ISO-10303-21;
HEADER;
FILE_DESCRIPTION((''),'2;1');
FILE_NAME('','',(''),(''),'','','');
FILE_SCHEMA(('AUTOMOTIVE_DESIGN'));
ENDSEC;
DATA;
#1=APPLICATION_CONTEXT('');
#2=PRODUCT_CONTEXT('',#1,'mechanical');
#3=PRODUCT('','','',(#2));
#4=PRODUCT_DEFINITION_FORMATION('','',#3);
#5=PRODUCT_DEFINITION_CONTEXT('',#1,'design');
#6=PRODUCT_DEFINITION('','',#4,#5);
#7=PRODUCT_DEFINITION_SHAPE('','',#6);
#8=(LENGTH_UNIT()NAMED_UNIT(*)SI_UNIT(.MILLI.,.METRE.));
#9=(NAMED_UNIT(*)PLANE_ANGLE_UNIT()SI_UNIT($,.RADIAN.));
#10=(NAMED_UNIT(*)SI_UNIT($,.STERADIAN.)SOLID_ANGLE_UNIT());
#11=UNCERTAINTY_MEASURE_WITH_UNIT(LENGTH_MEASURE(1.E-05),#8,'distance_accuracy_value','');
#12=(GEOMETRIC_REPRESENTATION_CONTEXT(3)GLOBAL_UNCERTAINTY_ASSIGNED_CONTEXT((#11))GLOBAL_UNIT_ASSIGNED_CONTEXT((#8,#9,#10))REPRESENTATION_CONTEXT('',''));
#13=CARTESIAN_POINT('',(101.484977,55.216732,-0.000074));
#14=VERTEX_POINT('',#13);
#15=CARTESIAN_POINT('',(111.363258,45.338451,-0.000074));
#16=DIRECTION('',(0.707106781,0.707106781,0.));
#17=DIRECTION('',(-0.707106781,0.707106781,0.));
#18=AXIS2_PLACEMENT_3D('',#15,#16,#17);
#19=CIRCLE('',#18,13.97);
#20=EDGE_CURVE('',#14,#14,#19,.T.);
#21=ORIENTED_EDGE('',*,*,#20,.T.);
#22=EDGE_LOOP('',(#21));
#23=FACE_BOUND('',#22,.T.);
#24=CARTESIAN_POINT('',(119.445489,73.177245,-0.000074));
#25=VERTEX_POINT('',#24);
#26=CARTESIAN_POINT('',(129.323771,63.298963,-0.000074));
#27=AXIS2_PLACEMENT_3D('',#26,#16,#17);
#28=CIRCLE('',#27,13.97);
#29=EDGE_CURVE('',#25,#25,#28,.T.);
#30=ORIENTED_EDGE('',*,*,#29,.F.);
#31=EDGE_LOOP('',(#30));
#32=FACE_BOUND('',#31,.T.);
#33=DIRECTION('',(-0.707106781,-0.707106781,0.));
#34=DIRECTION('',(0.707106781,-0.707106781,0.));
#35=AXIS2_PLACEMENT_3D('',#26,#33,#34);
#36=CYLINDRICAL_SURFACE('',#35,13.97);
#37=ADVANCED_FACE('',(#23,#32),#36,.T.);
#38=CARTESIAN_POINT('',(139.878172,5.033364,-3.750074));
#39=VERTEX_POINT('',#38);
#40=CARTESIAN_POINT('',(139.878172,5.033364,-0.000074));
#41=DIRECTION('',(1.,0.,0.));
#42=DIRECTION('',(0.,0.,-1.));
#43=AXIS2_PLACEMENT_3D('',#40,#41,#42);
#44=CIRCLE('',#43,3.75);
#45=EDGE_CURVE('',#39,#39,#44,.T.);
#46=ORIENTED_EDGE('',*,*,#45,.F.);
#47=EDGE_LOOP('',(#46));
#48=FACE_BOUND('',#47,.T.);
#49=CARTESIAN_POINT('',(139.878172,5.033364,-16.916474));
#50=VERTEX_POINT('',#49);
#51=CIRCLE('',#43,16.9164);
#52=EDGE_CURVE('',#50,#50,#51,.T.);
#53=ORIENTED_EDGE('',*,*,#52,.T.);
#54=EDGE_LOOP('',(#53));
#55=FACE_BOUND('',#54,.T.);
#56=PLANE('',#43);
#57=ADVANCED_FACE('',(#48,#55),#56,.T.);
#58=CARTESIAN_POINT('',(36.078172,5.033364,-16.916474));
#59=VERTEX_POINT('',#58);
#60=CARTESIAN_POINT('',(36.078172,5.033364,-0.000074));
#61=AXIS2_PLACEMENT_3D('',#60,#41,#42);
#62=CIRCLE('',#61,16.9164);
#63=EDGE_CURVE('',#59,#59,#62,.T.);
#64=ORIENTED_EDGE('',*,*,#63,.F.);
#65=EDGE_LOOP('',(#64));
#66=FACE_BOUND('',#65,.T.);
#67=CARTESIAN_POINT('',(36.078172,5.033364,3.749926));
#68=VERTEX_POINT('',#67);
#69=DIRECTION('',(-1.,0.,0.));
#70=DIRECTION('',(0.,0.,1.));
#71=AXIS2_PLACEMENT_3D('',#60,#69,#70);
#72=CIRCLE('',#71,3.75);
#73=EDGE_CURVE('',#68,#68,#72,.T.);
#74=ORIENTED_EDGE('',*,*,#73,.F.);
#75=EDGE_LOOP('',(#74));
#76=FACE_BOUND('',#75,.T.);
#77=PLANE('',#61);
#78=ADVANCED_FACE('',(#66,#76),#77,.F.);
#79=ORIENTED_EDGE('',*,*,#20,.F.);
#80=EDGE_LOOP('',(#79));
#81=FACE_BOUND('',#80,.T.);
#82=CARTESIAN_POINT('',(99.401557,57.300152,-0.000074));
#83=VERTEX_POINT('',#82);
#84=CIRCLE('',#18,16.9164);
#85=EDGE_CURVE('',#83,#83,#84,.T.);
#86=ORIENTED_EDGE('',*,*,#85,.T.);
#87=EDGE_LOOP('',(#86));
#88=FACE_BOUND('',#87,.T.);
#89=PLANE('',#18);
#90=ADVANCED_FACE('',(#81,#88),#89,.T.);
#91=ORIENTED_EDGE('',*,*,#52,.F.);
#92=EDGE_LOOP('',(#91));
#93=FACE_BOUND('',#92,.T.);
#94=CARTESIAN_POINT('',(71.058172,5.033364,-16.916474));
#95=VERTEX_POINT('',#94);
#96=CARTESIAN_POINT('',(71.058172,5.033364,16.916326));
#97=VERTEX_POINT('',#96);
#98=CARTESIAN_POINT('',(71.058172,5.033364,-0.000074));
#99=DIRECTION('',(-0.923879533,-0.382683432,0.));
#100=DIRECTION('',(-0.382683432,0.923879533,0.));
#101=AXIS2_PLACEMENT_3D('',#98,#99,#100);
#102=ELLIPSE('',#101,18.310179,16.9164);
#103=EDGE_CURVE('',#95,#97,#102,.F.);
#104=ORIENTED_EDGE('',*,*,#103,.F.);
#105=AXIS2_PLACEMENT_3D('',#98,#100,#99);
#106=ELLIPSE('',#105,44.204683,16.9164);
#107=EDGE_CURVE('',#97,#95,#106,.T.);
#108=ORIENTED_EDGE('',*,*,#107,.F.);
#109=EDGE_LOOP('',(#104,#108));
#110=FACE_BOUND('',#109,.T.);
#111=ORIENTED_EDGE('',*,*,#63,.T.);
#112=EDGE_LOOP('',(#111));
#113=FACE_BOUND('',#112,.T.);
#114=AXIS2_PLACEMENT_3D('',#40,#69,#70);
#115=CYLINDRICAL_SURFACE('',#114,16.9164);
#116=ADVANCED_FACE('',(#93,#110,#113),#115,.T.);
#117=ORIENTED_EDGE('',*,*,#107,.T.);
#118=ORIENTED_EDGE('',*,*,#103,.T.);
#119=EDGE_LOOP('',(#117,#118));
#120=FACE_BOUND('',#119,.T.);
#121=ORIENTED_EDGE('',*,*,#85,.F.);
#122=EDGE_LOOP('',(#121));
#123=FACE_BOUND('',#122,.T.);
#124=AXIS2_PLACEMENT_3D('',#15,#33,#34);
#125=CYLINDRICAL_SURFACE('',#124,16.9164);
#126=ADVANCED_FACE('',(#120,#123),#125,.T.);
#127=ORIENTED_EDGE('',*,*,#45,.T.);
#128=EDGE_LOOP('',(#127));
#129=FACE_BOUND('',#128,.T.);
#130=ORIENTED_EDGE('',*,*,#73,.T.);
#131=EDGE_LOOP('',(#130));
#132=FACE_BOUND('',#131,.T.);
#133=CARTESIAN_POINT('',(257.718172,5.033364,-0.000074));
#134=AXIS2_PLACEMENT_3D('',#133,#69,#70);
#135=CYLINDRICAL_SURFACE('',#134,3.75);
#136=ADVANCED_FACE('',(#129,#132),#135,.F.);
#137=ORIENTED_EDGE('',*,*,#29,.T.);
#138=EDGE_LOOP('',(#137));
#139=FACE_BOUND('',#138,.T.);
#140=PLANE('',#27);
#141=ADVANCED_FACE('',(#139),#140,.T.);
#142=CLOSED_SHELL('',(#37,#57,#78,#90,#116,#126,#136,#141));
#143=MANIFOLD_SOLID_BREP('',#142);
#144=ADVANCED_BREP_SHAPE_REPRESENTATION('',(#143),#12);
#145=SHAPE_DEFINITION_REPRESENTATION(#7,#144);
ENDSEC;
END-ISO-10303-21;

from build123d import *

# Parameters (mm, degrees)
SKETCH1_R           = 28.194
BOSS_EXTRUDE1_DEPTH = 173
SKETCH5_R           = 28.194
BOSS_EXTRUDE3_DEPTH = 95
SKETCH7_R           = 6.25
CUT_EXTRUDE1_DEPTH  = 369.4
SCALE2_SCALE        = 0.6
SKETCH9_R           = 13.97
BOSS_EXTRUDE4_DEPTH = 25.4


with BuildPart() as part:
    # Sketch1 → Boss-Extrude1 (new body)
    with BuildSketch(Plane(origin=(0, 0, 0), x_dir=(0, 0, -1), z_dir=(1, 0, 0))):
        Circle(SKETCH1_R)
    extrude(amount=BOSS_EXTRUDE1_DEPTH)

    # Sketch5 → Boss-Extrude3 (add)
    with BuildSketch(Plane(origin=(29.15, 29.15, 0), x_dir=(0.7071067811865464, -0.7071067811865488, 0), z_dir=(0.7071067811865488, 0.7071067811865464, 0))):
        with Locations(Location((41.224325343, 0, 0), (0, 0, 270))):
            Circle(SKETCH5_R)
    extrude(amount=BOSS_EXTRUDE3_DEPTH)

    # Sketch7 → Cut-Extrude1 (cut)
    with BuildSketch(Plane.ZY):
        Circle(SKETCH7_R)
    extrude(amount=-CUT_EXTRUDE1_DEPTH, mode=Mode.SUBTRACT)


with BuildPart() as part_1:
    # Scale2: scaled about (90.195479619, 12.583516577, 0)
    add(part.part.scale(SCALE2_SCALE).moved(Location((36.078191848, 5.033406631, 0))))

    # Sketch9 → Boss-Extrude4 (add)
    with BuildSketch(Plane(origin=(78.350854573, 78.350854573, 0), x_dir=(0, 0, -1), z_dir=(0.7071067811865487, 0.7071067811865465, 0))):
        with Locations(Location((7.4118e-05, -46.686589237, 0), (0, 0, 90))):
            Circle(SKETCH9_R)
    extrude(amount=BOSS_EXTRUDE4_DEPTH)


solid = part_1.part
